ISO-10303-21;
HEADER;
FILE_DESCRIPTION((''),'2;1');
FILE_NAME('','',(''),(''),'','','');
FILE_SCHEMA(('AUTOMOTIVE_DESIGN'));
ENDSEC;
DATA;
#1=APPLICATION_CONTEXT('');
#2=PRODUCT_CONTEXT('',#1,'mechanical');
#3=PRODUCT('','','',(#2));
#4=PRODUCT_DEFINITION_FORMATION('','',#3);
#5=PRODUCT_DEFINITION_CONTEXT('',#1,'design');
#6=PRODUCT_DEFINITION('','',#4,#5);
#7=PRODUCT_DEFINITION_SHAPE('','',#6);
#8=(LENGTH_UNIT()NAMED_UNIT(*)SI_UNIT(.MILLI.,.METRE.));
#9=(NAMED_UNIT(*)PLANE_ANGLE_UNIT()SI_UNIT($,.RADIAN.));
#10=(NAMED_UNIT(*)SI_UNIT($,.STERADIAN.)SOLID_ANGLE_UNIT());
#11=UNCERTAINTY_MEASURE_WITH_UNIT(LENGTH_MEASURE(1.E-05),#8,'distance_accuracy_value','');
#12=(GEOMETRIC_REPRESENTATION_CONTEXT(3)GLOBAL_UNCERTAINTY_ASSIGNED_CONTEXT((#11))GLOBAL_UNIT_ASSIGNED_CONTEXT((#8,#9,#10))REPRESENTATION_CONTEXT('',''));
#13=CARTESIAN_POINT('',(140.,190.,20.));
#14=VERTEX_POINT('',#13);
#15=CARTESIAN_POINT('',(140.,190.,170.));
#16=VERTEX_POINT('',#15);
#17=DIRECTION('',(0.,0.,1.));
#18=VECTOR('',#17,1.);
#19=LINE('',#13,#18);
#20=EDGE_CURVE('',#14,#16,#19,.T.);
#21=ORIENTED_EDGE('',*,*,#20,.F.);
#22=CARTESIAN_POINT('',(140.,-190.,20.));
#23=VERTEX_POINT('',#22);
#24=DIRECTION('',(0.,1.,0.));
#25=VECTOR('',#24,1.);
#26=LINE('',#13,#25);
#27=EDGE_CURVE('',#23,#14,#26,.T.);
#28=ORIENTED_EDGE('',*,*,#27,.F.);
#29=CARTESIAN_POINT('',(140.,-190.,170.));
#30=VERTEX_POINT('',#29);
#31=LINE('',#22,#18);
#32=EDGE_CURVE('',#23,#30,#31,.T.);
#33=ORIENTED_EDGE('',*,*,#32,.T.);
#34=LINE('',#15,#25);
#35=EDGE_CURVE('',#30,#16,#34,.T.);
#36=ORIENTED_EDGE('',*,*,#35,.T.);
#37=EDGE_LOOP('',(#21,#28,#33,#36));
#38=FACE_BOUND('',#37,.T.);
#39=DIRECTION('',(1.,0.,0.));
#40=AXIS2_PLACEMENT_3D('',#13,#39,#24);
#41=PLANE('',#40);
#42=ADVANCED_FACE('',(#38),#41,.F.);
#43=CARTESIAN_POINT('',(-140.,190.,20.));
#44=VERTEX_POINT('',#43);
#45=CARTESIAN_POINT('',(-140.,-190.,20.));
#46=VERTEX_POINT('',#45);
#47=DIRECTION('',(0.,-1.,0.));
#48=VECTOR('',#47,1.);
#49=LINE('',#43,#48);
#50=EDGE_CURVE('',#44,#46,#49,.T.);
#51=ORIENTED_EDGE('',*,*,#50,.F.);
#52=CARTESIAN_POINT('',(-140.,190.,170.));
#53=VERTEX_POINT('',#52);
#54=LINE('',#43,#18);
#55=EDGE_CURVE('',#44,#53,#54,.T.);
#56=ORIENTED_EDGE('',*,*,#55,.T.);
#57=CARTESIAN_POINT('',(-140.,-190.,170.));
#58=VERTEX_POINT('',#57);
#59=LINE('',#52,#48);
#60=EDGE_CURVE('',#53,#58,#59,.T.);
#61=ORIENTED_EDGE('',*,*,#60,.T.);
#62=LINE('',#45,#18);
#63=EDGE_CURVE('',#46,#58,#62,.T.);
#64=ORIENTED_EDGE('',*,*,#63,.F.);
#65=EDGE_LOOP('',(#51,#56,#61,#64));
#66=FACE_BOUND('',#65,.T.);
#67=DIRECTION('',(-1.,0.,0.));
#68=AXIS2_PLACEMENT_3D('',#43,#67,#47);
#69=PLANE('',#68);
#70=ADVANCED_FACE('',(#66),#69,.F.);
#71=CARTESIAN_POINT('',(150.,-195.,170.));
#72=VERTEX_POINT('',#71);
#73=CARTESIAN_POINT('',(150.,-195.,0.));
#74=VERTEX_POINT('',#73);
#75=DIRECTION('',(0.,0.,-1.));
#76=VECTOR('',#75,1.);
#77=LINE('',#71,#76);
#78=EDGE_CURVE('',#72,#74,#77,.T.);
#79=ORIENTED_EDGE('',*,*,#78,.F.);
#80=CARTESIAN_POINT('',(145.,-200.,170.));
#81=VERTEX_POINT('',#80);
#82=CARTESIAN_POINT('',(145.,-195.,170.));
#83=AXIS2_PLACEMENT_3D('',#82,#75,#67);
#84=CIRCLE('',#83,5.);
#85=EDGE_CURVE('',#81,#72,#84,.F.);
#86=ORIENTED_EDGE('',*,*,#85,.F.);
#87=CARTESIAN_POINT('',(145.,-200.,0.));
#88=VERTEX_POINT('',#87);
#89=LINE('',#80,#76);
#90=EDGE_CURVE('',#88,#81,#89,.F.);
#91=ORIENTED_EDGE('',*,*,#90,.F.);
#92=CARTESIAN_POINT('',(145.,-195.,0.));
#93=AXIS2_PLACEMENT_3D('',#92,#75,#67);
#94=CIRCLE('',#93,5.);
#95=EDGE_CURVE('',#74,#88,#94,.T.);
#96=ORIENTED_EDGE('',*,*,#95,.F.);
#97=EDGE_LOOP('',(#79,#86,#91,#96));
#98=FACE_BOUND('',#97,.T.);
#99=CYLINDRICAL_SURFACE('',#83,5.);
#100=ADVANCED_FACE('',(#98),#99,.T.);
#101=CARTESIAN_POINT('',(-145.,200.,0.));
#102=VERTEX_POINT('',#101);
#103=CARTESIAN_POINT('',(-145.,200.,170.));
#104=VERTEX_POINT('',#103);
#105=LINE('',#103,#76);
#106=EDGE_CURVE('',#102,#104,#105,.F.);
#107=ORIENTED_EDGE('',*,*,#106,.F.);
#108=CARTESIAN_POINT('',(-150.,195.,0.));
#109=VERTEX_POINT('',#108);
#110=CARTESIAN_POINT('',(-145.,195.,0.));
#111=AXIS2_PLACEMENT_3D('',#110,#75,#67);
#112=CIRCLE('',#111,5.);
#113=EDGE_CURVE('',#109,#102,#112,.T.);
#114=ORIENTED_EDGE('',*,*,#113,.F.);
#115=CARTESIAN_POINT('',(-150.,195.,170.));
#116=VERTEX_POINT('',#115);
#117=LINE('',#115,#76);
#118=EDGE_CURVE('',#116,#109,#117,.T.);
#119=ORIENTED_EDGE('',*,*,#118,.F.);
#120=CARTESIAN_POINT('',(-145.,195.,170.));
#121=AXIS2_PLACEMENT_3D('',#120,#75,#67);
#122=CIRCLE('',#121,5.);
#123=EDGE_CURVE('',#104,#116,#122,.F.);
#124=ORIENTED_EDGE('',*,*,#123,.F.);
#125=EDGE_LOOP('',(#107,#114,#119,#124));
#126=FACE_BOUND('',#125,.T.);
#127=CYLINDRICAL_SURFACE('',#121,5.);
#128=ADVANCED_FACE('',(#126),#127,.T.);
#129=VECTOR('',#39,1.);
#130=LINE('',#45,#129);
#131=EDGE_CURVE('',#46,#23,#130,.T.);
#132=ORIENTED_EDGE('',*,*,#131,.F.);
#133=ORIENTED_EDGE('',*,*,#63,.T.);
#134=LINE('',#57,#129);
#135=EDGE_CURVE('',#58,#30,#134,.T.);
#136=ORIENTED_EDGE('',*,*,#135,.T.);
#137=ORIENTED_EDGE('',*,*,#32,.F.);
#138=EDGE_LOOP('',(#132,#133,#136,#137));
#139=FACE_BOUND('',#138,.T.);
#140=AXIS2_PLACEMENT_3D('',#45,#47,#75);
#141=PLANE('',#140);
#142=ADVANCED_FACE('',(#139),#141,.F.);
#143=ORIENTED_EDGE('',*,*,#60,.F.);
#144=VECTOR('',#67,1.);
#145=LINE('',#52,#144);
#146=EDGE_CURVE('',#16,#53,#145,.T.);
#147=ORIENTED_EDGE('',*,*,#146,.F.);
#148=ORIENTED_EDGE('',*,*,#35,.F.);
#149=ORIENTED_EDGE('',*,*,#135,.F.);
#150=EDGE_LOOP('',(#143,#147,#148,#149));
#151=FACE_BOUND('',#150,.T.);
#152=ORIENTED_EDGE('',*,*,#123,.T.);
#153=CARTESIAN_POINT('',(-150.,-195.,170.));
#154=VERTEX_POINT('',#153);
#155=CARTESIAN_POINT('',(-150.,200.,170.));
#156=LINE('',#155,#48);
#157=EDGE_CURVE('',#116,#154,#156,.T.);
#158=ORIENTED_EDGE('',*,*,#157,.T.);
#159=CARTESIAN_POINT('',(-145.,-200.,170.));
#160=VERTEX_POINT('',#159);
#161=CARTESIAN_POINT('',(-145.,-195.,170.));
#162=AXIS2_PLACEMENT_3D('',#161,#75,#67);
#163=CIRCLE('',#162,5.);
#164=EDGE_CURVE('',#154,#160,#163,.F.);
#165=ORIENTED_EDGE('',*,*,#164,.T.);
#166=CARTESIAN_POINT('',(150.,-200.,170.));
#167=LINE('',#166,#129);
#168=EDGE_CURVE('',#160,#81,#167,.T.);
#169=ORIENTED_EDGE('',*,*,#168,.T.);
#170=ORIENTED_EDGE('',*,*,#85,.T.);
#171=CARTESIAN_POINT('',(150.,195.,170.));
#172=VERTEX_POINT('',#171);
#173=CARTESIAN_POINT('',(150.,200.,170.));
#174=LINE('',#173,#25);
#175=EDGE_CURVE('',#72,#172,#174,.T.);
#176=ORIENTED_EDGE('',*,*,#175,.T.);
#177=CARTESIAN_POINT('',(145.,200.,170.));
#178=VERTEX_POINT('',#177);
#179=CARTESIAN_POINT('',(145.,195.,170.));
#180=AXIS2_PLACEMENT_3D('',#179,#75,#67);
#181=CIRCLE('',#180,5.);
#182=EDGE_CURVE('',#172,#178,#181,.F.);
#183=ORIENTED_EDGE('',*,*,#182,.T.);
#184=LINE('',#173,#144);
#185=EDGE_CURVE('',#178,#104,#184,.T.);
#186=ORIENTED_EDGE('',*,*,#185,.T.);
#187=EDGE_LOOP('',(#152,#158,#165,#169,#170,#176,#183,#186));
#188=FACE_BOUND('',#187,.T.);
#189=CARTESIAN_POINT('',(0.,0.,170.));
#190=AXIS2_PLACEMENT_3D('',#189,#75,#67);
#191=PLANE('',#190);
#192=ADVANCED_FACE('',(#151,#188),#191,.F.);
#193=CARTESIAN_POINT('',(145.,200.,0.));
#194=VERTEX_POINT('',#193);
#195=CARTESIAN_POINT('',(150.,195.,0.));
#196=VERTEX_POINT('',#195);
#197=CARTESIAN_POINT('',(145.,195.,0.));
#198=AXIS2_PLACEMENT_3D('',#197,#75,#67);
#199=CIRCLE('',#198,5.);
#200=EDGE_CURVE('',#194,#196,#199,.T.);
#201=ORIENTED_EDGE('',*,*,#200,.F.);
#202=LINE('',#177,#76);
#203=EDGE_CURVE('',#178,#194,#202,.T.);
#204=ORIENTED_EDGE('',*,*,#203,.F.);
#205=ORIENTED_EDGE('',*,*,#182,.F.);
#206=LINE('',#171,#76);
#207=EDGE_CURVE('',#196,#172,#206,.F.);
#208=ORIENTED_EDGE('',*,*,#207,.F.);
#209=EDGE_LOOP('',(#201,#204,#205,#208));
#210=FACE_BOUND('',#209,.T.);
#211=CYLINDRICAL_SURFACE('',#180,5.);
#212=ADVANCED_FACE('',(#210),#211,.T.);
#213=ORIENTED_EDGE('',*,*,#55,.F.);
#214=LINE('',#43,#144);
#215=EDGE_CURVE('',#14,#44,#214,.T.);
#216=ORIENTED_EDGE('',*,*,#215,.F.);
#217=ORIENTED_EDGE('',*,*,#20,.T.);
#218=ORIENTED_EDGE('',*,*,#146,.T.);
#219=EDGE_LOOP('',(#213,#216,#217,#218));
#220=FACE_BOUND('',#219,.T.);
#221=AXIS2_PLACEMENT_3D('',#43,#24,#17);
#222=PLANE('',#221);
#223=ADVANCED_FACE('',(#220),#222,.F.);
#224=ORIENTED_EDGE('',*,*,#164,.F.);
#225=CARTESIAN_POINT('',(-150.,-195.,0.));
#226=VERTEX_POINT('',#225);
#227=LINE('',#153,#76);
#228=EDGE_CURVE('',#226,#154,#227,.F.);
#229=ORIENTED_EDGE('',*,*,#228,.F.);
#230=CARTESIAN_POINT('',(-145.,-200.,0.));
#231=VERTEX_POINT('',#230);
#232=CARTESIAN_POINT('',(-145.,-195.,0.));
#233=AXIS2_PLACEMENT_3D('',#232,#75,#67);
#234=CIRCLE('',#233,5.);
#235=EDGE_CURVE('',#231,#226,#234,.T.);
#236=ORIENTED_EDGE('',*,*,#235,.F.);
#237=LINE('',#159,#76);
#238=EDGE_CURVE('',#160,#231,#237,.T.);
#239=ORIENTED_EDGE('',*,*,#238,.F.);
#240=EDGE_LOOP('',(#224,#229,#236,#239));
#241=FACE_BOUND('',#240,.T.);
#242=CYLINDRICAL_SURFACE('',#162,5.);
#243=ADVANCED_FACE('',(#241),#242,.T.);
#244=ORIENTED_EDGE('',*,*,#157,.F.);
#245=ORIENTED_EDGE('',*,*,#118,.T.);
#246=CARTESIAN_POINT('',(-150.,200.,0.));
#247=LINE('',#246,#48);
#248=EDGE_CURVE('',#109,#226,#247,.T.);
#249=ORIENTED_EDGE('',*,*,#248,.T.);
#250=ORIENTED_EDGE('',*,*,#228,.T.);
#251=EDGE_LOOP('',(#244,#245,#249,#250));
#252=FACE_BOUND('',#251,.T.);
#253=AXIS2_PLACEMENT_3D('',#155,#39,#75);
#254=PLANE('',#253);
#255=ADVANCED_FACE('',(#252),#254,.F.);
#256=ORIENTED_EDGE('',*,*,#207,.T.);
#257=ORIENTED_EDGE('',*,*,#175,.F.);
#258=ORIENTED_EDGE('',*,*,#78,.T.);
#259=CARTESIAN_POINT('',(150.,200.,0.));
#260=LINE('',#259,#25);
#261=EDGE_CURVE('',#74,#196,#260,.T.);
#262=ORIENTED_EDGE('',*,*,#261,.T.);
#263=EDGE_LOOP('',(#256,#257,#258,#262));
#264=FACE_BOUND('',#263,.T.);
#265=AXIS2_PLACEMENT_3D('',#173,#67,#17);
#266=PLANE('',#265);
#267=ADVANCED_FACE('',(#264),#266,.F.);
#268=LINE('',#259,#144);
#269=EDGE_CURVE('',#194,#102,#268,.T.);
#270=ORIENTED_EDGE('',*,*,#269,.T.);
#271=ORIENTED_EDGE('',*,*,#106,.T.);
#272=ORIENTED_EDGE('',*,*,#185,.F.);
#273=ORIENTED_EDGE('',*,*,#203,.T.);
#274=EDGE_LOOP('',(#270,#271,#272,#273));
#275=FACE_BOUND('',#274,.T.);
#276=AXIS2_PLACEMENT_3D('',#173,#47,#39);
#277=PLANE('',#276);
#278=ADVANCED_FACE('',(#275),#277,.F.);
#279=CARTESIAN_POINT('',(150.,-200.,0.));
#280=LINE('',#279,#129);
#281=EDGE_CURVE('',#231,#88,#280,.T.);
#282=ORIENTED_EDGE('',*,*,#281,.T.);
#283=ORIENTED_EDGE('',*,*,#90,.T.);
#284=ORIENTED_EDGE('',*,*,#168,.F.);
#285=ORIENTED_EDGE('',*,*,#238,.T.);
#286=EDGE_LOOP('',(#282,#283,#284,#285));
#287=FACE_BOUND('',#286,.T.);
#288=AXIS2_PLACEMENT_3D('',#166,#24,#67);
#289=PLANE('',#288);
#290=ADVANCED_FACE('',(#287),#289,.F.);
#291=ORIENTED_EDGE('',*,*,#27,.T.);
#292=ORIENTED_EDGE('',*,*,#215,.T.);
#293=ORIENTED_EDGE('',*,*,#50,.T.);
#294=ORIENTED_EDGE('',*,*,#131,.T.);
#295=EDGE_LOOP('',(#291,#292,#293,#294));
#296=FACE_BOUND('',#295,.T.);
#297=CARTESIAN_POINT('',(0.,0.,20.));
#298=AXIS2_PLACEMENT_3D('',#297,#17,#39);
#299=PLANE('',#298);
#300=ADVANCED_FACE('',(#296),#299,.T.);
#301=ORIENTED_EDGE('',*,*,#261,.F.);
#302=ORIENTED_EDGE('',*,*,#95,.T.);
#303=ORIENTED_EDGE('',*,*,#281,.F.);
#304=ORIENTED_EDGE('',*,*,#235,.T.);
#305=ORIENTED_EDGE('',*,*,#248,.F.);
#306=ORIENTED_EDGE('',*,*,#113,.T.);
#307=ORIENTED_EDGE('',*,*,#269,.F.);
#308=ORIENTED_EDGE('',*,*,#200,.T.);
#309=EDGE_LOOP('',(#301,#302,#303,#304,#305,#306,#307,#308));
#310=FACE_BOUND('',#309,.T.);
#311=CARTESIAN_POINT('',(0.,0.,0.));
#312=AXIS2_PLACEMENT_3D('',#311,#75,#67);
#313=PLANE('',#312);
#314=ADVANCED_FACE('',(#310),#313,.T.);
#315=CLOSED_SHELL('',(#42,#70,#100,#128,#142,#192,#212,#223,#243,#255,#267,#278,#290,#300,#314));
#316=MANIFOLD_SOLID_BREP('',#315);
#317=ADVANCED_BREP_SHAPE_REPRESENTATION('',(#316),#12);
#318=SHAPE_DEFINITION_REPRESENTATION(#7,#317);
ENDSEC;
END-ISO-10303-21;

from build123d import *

# Parameters (mm, degrees)
SKETCH_1_W          = 300
SKETCH_1_H          = 400
EXTRUDE_1_DEPTH     = 170
SKETCH_2_W          = 280
SKETCH_2_H          = 380
CUT_EXTRUDE_1_DEPTH = 150
FILLET_1_R          = 5


with BuildPart() as part:
    # 草图1 → 凸台-拉伸1 (new body)
    with BuildSketch(Plane.XY):
        Rectangle(SKETCH_1_W, SKETCH_1_H)
    extrude(amount=EXTRUDE_1_DEPTH)

    # 草图2 → 切除-拉伸1 (cut)
    with BuildSketch(Plane.XY.offset(170)):
        Rectangle(SKETCH_2_W, SKETCH_2_H)
    extrude(amount=-CUT_EXTRUDE_1_DEPTH, mode=Mode.SUBTRACT)

    # 圆角1
    fillet_1_edges = [part.edges().sort_by_distance(p)[0] for p in [
        (150, -200, 85),
        (-150, -200, 85),
        (-150, 200, 85),
        (150, 200, 85),
    ]]
    fillet(fillet_1_edges, radius=FILLET_1_R)


solid = part.part
